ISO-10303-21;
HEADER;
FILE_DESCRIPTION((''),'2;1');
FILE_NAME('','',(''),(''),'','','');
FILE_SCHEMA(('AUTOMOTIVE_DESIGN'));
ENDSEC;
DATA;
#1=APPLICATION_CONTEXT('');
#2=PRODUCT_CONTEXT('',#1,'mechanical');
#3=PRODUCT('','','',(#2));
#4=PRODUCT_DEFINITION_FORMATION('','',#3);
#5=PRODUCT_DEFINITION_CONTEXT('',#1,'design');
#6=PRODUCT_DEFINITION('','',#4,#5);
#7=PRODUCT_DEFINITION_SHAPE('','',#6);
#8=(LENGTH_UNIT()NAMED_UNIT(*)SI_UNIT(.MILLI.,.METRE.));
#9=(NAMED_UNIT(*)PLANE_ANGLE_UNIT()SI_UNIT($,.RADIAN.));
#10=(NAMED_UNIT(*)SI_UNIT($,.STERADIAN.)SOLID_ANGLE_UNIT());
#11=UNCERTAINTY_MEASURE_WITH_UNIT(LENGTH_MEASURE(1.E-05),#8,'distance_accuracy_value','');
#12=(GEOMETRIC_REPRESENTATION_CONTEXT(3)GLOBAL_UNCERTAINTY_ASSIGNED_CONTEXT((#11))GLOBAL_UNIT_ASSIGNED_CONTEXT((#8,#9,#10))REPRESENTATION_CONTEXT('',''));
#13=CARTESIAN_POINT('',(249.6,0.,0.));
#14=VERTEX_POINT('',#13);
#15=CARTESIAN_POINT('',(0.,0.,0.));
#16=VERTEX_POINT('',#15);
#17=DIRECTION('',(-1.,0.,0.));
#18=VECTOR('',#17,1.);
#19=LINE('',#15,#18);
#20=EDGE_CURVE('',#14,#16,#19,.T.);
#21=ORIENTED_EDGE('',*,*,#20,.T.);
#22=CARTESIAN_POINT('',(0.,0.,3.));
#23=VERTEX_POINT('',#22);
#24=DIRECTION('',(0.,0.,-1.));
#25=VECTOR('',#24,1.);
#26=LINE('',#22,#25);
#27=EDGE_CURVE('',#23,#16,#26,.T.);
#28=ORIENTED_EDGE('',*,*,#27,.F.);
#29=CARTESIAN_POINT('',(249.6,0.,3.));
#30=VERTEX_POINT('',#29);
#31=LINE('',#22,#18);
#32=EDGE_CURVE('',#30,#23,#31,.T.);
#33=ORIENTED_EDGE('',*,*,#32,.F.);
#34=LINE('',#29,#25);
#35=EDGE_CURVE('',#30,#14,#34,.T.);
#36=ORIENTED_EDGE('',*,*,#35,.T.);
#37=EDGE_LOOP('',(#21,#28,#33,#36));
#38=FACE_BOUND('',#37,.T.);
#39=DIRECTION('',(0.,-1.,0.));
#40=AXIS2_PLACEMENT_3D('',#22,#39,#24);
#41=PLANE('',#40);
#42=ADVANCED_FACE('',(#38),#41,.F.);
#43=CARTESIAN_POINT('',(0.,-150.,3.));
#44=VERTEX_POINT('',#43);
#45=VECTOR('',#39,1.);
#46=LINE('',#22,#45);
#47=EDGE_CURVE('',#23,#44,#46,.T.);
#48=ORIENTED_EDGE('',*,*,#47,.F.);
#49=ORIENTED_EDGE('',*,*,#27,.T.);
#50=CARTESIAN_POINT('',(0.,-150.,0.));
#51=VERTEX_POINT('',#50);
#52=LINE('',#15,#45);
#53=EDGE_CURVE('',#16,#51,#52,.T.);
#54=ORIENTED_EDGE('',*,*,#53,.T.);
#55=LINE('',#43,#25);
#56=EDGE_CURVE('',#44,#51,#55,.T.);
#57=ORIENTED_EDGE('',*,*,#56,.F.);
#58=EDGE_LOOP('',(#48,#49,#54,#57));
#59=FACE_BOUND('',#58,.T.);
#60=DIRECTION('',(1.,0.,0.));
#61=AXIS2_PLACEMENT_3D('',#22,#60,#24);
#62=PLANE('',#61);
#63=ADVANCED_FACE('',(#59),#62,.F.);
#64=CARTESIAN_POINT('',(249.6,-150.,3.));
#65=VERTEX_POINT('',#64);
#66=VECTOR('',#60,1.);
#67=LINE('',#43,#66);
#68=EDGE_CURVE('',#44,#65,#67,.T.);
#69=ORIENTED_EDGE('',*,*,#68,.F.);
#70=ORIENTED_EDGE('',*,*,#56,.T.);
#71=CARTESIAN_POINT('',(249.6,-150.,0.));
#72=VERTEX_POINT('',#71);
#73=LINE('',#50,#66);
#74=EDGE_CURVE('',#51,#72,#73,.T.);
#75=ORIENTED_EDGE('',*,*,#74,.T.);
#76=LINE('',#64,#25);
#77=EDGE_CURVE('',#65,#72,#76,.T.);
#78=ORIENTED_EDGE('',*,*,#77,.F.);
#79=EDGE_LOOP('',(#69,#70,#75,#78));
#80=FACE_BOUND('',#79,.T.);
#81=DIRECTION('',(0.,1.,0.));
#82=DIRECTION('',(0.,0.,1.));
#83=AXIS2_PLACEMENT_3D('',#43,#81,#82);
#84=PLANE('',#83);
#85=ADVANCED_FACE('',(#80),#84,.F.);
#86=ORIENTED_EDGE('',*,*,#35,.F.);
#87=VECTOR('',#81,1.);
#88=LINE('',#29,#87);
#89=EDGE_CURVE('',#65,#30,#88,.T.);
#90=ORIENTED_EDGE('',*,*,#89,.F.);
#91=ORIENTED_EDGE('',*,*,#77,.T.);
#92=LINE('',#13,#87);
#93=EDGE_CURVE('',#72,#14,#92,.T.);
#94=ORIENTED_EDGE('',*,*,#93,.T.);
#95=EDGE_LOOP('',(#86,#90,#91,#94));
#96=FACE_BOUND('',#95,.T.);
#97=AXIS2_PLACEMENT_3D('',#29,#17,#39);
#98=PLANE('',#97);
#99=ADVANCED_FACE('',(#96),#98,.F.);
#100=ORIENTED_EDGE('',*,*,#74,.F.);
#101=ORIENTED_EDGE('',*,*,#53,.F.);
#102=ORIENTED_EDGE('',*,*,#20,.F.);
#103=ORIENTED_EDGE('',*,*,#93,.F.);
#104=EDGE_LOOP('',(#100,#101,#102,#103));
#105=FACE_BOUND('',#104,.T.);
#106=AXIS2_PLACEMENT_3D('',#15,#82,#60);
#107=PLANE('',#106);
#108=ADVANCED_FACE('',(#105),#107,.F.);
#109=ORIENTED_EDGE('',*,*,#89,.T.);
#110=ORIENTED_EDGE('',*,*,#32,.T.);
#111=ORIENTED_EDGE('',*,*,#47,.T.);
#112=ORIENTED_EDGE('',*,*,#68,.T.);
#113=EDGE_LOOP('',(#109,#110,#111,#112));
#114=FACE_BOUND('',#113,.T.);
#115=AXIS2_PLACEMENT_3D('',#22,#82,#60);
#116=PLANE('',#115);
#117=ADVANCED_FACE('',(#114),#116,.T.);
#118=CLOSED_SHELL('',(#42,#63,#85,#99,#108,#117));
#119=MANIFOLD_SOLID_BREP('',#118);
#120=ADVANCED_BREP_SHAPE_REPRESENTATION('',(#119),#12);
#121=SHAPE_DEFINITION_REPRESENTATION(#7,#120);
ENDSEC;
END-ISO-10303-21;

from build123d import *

# Parameters (mm, degrees)
SKETCH1_W           = 249.6
SKETCH1_H           = 150
BOSS_EXTRUDE1_DEPTH = 3


with BuildPart() as part:
    # Sketch1 → Boss-Extrude1 (new body)
    with BuildSketch(Plane.XY):
        with Locations((124.8, -75)):
            Rectangle(SKETCH1_W, SKETCH1_H)
    extrude(amount=BOSS_EXTRUDE1_DEPTH)


solid = part.part
